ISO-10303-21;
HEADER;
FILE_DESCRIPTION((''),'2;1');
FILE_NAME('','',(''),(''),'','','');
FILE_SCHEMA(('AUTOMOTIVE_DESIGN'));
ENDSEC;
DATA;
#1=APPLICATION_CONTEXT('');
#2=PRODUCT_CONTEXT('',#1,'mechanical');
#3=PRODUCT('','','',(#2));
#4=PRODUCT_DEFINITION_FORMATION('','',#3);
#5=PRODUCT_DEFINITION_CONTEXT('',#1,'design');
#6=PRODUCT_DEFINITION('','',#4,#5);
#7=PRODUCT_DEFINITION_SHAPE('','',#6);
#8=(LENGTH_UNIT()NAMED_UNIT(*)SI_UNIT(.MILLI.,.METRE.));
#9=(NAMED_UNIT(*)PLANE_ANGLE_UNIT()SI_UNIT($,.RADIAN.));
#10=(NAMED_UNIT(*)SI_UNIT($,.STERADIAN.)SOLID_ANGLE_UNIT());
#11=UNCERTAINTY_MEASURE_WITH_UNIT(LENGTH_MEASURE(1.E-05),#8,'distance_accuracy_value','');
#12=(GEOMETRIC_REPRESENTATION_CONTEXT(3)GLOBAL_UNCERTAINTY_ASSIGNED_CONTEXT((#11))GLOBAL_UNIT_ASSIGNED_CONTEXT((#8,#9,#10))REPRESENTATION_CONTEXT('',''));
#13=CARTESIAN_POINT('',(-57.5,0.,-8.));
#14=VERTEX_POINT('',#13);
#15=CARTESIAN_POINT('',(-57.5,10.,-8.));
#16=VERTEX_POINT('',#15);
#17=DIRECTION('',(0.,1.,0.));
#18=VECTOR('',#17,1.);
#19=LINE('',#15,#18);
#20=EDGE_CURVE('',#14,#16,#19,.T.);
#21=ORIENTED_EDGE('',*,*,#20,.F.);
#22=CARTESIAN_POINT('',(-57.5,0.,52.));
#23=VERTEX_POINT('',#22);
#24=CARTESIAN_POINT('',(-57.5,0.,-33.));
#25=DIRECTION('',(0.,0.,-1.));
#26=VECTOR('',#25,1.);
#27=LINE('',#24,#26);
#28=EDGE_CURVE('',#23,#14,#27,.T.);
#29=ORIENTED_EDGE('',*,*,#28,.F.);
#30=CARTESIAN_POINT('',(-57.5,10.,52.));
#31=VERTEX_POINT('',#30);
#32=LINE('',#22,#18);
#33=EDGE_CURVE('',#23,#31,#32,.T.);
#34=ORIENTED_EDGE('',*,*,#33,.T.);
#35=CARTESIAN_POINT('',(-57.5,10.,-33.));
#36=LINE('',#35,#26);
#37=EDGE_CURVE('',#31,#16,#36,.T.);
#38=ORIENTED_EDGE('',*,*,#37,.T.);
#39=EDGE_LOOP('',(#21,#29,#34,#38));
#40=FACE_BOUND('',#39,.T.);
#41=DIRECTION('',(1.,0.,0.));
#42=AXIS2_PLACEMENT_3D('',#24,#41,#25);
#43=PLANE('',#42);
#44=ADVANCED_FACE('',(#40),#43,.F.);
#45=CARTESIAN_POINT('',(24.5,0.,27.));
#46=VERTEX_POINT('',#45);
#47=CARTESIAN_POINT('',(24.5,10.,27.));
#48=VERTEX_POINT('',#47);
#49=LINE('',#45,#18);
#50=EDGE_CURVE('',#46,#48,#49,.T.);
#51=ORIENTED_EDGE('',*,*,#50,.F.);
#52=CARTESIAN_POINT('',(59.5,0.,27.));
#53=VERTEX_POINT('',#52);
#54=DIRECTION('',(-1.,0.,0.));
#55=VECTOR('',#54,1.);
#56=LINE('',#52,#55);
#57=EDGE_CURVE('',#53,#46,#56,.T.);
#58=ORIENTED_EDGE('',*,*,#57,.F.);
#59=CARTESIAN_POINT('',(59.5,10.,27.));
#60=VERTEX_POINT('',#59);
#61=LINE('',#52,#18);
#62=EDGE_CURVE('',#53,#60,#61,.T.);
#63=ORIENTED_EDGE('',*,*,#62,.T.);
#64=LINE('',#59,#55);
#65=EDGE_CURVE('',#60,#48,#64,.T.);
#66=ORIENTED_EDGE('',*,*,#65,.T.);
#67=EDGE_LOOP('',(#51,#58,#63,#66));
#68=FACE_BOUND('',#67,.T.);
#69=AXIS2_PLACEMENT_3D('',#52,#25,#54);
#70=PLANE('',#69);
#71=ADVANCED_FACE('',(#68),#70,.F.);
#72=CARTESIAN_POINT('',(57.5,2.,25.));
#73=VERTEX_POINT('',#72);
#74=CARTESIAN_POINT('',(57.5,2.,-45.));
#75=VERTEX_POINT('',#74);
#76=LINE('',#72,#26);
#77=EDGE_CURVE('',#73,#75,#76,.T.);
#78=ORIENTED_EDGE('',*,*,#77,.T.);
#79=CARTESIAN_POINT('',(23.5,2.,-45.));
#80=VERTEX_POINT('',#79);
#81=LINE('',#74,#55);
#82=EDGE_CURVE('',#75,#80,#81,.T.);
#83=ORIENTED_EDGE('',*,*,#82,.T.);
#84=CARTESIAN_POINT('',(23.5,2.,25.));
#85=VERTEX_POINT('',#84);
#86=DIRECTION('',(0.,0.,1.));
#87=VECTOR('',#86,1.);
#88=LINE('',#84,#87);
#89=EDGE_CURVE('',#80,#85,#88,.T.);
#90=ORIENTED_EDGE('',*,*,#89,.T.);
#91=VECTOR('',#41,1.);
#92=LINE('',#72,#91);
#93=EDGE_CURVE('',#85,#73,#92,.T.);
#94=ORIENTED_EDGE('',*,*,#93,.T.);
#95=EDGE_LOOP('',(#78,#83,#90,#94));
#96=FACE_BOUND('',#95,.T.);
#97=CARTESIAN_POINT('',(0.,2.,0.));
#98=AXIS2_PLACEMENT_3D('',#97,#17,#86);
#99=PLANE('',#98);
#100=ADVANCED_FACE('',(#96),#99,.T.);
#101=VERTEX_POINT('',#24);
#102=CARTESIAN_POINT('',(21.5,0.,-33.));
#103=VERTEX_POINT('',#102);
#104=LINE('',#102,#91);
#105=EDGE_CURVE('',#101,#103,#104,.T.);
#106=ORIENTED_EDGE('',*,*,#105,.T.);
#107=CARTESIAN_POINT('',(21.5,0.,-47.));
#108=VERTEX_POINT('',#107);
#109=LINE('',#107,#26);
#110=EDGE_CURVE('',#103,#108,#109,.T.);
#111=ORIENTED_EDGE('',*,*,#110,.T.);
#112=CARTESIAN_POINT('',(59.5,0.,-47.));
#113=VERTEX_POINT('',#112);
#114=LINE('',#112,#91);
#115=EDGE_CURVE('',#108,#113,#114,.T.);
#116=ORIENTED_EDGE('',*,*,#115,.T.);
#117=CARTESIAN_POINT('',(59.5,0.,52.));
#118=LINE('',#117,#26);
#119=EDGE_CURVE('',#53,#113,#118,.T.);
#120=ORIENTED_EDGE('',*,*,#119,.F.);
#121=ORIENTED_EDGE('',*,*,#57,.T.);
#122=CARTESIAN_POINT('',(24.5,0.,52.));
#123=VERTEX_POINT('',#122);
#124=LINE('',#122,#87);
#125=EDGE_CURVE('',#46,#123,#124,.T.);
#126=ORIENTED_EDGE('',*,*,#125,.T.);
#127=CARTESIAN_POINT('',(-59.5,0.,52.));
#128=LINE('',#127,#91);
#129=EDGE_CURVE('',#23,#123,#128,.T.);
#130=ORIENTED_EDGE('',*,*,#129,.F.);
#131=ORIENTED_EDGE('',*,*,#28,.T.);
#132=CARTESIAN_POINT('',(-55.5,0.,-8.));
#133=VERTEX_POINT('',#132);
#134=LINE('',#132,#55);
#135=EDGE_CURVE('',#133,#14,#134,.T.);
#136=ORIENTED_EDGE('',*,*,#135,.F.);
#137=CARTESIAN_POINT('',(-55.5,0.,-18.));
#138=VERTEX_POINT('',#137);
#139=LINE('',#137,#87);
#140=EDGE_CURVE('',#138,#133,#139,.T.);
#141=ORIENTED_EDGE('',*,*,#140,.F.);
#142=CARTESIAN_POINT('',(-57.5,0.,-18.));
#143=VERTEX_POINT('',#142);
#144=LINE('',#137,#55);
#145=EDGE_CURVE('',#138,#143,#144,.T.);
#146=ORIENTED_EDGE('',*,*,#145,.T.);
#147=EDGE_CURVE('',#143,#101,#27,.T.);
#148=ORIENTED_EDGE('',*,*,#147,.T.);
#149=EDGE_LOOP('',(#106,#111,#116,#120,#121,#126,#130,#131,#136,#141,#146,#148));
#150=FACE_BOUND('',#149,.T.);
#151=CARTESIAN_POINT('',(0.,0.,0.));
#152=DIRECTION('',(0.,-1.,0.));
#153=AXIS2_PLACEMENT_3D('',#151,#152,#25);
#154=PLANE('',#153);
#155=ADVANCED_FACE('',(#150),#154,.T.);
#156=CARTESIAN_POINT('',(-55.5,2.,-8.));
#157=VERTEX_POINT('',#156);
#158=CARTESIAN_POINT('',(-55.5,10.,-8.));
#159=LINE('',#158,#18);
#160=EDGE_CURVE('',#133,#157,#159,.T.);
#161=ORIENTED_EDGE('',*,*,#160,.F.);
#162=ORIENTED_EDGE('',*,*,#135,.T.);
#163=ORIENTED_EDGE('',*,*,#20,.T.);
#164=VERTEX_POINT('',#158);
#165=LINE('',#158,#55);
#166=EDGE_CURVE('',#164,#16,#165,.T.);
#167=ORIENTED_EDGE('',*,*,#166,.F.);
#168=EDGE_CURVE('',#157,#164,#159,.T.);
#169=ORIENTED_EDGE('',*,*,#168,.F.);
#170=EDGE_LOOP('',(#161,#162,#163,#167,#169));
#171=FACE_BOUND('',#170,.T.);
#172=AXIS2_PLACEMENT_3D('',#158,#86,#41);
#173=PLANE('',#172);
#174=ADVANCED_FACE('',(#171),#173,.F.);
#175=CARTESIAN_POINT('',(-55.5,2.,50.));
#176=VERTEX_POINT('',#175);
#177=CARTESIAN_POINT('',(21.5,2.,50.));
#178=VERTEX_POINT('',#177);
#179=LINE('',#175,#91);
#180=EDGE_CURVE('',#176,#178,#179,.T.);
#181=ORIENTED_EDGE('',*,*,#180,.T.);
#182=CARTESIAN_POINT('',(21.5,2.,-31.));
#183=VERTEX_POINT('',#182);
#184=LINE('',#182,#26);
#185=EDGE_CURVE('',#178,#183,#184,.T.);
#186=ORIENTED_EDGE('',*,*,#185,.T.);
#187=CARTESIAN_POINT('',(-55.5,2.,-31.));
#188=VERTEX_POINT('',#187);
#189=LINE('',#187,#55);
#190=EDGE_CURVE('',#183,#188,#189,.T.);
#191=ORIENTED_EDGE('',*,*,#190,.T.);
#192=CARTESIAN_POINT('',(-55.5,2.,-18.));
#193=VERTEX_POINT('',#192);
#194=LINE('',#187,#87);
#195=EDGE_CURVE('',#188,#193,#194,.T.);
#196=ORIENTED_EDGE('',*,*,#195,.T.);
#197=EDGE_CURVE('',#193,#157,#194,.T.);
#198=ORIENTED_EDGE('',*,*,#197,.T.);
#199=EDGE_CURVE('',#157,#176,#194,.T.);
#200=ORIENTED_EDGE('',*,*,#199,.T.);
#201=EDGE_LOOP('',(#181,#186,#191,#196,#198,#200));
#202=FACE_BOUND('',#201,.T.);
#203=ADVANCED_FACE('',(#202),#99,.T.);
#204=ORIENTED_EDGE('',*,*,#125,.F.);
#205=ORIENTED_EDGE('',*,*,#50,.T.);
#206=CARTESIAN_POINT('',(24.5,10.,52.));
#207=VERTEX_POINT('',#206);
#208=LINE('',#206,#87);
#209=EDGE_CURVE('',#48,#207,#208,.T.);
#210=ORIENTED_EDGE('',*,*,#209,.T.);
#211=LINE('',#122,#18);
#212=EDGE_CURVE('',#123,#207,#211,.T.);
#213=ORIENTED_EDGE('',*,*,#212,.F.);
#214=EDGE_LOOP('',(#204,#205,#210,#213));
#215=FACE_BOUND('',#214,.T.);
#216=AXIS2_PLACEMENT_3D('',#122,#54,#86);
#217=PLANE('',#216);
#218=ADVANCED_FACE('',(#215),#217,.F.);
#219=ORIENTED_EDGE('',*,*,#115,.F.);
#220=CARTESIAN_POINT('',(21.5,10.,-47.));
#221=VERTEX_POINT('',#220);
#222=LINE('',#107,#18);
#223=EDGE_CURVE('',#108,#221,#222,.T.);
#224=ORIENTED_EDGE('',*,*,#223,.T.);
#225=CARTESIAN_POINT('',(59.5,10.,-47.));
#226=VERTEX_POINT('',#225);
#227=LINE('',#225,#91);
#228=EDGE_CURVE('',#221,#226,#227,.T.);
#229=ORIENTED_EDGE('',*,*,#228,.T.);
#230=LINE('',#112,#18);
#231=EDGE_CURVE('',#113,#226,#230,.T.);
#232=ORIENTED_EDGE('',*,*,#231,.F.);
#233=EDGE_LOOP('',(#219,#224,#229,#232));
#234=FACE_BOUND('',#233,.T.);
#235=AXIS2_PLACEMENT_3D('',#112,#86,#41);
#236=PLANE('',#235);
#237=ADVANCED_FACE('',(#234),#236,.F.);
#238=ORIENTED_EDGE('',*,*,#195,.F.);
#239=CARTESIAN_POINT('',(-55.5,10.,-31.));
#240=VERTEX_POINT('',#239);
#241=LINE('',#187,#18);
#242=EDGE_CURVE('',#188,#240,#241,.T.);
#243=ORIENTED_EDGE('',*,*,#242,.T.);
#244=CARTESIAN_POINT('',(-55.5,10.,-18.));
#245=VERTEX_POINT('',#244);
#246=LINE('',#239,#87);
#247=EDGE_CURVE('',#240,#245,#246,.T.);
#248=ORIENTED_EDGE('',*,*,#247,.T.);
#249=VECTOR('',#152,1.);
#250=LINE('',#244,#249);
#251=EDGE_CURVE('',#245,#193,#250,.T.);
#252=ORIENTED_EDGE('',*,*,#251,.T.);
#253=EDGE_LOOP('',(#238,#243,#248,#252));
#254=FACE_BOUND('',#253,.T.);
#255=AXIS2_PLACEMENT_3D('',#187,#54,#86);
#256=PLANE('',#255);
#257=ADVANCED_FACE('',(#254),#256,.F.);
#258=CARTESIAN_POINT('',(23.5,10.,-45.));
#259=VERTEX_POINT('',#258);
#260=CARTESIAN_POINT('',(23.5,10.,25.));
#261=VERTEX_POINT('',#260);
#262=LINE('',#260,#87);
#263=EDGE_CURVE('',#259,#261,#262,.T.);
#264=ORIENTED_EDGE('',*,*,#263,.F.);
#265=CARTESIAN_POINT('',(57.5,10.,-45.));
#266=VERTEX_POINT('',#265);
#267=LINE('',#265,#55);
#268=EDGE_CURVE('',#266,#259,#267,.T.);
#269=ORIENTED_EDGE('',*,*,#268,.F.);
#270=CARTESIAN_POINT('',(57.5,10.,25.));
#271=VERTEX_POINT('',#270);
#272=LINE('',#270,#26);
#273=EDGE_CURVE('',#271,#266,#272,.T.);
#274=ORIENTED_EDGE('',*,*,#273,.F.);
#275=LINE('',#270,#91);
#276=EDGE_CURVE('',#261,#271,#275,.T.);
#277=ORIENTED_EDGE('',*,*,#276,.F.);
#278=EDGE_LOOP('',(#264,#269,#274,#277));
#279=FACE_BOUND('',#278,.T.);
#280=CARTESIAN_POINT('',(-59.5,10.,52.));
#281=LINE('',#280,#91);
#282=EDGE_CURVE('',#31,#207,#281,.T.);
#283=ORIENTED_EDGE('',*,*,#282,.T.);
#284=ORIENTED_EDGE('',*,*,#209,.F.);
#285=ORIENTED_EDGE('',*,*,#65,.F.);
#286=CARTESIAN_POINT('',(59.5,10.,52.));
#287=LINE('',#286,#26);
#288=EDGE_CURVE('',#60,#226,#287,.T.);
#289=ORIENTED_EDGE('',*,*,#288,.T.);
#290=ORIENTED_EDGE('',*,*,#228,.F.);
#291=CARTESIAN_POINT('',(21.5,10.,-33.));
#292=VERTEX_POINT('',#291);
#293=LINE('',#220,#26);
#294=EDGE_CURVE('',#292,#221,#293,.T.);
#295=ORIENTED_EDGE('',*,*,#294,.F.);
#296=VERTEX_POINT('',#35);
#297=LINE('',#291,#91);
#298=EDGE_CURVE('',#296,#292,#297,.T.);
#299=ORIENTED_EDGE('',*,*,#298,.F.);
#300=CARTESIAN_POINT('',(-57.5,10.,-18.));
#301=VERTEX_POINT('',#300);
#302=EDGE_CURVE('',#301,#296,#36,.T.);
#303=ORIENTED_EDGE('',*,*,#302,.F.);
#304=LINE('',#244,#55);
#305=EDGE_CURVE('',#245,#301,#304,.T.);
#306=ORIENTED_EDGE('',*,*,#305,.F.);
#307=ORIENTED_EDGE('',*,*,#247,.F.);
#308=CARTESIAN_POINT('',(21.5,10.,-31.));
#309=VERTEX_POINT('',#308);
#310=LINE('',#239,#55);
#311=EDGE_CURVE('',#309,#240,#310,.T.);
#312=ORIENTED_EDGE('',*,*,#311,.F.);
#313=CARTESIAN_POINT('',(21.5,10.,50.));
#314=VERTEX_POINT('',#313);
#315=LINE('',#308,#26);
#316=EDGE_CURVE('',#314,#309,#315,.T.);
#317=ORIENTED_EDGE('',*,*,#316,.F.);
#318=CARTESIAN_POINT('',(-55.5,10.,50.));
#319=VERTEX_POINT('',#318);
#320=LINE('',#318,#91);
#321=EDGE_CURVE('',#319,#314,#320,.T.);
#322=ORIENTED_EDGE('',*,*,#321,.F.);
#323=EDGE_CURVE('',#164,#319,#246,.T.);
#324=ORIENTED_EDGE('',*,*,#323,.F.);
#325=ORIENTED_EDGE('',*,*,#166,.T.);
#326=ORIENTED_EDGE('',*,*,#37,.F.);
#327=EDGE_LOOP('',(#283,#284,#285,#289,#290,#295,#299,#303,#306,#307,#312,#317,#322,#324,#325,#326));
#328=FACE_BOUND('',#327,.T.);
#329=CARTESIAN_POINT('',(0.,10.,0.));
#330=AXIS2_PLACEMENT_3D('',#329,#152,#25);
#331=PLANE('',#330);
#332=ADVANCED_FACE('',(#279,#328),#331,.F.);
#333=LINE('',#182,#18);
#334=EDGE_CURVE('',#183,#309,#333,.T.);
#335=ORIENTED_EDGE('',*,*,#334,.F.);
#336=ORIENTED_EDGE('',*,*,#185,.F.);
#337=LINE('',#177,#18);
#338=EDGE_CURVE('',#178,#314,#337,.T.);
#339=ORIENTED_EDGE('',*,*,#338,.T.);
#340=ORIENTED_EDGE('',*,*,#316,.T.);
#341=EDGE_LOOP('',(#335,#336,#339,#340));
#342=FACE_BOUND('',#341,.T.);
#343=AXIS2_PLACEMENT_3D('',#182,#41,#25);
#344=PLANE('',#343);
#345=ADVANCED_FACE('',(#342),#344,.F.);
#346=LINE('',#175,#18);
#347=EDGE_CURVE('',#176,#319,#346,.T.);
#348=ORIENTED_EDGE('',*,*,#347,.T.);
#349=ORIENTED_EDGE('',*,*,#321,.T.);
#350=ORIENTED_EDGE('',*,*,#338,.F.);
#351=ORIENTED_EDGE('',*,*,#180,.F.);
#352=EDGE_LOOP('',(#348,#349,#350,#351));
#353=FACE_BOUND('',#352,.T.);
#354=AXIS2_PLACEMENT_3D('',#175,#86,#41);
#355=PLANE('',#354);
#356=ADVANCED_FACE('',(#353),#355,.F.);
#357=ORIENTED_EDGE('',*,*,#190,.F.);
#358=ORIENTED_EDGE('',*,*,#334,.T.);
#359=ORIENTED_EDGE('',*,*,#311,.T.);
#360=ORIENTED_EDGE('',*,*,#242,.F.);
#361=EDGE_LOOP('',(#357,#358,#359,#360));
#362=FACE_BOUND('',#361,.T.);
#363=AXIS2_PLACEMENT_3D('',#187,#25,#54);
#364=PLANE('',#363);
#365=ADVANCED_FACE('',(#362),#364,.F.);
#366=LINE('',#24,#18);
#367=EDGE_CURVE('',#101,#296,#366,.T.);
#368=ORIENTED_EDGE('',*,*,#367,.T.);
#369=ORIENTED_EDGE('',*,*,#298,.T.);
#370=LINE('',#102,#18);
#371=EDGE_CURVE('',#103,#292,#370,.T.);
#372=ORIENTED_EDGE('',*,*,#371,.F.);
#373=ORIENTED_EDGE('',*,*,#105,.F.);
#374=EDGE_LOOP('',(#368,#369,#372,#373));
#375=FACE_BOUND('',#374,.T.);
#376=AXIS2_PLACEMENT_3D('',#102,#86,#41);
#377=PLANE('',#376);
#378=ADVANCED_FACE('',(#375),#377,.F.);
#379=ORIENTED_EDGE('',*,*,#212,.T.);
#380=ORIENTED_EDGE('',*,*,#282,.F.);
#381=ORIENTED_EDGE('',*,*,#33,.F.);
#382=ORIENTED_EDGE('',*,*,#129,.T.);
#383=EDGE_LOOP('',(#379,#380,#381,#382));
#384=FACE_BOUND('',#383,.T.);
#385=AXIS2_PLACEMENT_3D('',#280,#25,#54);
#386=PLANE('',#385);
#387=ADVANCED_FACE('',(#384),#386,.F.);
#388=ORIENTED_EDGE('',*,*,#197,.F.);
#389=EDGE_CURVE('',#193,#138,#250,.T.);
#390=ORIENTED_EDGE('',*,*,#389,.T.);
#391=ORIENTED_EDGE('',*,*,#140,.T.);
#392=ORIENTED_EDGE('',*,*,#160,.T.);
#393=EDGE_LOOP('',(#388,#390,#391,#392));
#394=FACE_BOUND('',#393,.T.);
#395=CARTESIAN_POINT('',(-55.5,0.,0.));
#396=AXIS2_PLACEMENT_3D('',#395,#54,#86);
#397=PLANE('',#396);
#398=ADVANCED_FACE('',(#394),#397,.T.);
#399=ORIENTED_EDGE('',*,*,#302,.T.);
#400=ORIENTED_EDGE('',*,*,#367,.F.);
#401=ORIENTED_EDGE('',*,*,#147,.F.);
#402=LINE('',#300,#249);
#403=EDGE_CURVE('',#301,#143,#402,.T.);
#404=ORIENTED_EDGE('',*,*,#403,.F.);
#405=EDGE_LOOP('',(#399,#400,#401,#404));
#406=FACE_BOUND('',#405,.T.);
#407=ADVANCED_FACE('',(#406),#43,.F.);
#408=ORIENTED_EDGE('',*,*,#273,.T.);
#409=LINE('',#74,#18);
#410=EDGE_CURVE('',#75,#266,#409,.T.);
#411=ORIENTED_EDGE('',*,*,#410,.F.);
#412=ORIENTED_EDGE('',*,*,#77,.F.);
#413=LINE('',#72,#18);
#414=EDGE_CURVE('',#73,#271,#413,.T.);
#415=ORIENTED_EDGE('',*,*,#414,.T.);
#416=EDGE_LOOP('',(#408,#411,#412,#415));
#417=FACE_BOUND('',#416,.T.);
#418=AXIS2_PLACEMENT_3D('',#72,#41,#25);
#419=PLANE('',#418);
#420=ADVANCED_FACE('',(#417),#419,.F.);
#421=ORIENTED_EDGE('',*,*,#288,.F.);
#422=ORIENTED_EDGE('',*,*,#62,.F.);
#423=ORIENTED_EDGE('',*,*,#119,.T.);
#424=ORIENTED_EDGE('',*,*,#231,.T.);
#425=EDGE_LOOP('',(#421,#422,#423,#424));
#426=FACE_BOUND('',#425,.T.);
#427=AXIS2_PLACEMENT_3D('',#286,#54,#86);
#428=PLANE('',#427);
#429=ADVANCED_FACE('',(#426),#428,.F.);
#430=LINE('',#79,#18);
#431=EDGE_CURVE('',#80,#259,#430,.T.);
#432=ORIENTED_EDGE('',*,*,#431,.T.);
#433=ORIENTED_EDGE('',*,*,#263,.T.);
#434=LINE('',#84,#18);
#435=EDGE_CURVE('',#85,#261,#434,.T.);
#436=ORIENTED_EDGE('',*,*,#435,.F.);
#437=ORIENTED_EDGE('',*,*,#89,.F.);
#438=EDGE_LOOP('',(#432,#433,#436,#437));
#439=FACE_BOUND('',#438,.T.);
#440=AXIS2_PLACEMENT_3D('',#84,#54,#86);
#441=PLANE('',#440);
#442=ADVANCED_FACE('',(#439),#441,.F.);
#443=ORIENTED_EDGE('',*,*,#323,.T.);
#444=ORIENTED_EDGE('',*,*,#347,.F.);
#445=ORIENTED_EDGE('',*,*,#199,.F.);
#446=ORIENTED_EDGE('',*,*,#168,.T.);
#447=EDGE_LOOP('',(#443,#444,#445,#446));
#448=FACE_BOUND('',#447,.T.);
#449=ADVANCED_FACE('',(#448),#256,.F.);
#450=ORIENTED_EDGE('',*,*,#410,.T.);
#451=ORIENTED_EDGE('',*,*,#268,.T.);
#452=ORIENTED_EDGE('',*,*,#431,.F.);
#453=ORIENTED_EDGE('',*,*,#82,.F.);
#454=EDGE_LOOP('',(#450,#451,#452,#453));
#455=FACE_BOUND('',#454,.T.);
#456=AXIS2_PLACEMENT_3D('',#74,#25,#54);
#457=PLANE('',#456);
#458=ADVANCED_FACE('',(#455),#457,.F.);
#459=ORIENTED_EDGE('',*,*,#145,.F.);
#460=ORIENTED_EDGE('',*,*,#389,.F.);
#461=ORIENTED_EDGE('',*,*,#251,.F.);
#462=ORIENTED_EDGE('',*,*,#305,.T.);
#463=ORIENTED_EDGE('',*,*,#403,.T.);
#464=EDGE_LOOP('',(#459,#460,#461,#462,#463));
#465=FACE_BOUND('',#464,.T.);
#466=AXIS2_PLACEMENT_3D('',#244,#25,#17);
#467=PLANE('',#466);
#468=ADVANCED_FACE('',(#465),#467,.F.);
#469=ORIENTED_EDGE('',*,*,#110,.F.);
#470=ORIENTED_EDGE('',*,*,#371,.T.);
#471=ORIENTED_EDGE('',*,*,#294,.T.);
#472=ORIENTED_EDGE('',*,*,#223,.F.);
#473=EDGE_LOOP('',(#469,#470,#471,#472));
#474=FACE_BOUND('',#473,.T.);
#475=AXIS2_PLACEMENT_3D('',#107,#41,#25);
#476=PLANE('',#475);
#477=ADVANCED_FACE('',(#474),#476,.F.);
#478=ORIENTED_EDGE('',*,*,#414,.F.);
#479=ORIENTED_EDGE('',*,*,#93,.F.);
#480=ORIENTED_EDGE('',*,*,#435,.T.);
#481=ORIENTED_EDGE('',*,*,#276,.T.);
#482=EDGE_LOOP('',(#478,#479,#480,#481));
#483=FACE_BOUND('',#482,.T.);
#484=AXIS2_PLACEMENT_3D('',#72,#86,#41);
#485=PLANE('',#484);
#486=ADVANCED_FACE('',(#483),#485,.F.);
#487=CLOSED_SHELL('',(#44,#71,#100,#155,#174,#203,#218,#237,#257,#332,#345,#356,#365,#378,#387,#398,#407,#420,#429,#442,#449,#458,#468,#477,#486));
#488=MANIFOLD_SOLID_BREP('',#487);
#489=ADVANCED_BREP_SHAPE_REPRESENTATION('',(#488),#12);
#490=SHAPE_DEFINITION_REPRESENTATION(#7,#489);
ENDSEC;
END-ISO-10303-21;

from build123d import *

# Parameters (mm, degrees)
SKETCH1_W           = 119
SKETCH1_H           = 104
BOSS_EXTRUDE1_DEPTH = 10
SKETCH2_W           = 35
SKETCH2_H           = 25
CUT_EXTRUDE1_DEPTH  = 80.650800373
SKETCH3_W           = 34
SKETCH3_H           = 70
CUT_EXTRUDE2_DEPTH  = 8
SKETCH4_W           = 77
SKETCH4_H           = 81
CUT_EXTRUDE3_DEPTH  = 8
CUT_EXTRUDE4_DEPTH  = 10
SKETCH7_W           = 10
SKETCH7_H           = 10
CUT_EXTRUDE6_DEPTH  = 2


with BuildPart() as part:
    # Sketch1 → Boss-Extrude1 (new body)
    with BuildSketch(Plane(origin=(0, 0, 0), x_dir=(1, 0, 0), z_dir=(0, 1, 0))):
        Rectangle(SKETCH1_W, SKETCH1_H)
    extrude(amount=BOSS_EXTRUDE1_DEPTH)

    # Sketch2 → Cut-Extrude1 (cut, through all)
    with BuildSketch(Plane(origin=(0, 10, 0), x_dir=(1, 0, 0), z_dir=(0, 1, 0))):
        with Locations((42, -39.5)):
            Rectangle(SKETCH2_W, SKETCH2_H)
    extrude(amount=-CUT_EXTRUDE1_DEPTH, mode=Mode.SUBTRACT)

    # Sketch3 → Cut-Extrude2 (cut)
    with BuildSketch(Plane(origin=(0, 10, 0), x_dir=(1, 0, 0), z_dir=(0, 1, 0))):
        with Locations((40.5, 10)):
            Rectangle(SKETCH3_W, SKETCH3_H)
    extrude(amount=-CUT_EXTRUDE2_DEPTH, mode=Mode.SUBTRACT)

    # Sketch4 → Cut-Extrude3 (cut)
    with BuildSketch(Plane(origin=(0, 10, 0), x_dir=(1, 0, 0), z_dir=(0, 1, 0))):
        with Locations((-17, -9.5)):
            Rectangle(SKETCH4_W, SKETCH4_H)
    extrude(amount=-CUT_EXTRUDE3_DEPTH, mode=Mode.SUBTRACT)

    # Sketch5 → Cut-Extrude4 (cut)
    with BuildSketch(Plane(origin=(0, 10, 0), x_dir=(1, 0, 0), z_dir=(0, 1, 0))):
        Polygon((-59.5, 52), (59.5, 52), (59.5, 47), (21.5, 47), (21.5, 33), (-57.5, 33), (-57.5, -52), (-59.5, -52), align=None)
    extrude(amount=-CUT_EXTRUDE4_DEPTH, mode=Mode.SUBTRACT)

    # Sketch7 → Cut-Extrude6 (cut)
    with BuildSketch(Plane.ZY.offset(57.5)):
        with Locations((-13, 5)):
            Rectangle(SKETCH7_W, SKETCH7_H)
    extrude(amount=-CUT_EXTRUDE6_DEPTH, mode=Mode.SUBTRACT)


solid = part.part
